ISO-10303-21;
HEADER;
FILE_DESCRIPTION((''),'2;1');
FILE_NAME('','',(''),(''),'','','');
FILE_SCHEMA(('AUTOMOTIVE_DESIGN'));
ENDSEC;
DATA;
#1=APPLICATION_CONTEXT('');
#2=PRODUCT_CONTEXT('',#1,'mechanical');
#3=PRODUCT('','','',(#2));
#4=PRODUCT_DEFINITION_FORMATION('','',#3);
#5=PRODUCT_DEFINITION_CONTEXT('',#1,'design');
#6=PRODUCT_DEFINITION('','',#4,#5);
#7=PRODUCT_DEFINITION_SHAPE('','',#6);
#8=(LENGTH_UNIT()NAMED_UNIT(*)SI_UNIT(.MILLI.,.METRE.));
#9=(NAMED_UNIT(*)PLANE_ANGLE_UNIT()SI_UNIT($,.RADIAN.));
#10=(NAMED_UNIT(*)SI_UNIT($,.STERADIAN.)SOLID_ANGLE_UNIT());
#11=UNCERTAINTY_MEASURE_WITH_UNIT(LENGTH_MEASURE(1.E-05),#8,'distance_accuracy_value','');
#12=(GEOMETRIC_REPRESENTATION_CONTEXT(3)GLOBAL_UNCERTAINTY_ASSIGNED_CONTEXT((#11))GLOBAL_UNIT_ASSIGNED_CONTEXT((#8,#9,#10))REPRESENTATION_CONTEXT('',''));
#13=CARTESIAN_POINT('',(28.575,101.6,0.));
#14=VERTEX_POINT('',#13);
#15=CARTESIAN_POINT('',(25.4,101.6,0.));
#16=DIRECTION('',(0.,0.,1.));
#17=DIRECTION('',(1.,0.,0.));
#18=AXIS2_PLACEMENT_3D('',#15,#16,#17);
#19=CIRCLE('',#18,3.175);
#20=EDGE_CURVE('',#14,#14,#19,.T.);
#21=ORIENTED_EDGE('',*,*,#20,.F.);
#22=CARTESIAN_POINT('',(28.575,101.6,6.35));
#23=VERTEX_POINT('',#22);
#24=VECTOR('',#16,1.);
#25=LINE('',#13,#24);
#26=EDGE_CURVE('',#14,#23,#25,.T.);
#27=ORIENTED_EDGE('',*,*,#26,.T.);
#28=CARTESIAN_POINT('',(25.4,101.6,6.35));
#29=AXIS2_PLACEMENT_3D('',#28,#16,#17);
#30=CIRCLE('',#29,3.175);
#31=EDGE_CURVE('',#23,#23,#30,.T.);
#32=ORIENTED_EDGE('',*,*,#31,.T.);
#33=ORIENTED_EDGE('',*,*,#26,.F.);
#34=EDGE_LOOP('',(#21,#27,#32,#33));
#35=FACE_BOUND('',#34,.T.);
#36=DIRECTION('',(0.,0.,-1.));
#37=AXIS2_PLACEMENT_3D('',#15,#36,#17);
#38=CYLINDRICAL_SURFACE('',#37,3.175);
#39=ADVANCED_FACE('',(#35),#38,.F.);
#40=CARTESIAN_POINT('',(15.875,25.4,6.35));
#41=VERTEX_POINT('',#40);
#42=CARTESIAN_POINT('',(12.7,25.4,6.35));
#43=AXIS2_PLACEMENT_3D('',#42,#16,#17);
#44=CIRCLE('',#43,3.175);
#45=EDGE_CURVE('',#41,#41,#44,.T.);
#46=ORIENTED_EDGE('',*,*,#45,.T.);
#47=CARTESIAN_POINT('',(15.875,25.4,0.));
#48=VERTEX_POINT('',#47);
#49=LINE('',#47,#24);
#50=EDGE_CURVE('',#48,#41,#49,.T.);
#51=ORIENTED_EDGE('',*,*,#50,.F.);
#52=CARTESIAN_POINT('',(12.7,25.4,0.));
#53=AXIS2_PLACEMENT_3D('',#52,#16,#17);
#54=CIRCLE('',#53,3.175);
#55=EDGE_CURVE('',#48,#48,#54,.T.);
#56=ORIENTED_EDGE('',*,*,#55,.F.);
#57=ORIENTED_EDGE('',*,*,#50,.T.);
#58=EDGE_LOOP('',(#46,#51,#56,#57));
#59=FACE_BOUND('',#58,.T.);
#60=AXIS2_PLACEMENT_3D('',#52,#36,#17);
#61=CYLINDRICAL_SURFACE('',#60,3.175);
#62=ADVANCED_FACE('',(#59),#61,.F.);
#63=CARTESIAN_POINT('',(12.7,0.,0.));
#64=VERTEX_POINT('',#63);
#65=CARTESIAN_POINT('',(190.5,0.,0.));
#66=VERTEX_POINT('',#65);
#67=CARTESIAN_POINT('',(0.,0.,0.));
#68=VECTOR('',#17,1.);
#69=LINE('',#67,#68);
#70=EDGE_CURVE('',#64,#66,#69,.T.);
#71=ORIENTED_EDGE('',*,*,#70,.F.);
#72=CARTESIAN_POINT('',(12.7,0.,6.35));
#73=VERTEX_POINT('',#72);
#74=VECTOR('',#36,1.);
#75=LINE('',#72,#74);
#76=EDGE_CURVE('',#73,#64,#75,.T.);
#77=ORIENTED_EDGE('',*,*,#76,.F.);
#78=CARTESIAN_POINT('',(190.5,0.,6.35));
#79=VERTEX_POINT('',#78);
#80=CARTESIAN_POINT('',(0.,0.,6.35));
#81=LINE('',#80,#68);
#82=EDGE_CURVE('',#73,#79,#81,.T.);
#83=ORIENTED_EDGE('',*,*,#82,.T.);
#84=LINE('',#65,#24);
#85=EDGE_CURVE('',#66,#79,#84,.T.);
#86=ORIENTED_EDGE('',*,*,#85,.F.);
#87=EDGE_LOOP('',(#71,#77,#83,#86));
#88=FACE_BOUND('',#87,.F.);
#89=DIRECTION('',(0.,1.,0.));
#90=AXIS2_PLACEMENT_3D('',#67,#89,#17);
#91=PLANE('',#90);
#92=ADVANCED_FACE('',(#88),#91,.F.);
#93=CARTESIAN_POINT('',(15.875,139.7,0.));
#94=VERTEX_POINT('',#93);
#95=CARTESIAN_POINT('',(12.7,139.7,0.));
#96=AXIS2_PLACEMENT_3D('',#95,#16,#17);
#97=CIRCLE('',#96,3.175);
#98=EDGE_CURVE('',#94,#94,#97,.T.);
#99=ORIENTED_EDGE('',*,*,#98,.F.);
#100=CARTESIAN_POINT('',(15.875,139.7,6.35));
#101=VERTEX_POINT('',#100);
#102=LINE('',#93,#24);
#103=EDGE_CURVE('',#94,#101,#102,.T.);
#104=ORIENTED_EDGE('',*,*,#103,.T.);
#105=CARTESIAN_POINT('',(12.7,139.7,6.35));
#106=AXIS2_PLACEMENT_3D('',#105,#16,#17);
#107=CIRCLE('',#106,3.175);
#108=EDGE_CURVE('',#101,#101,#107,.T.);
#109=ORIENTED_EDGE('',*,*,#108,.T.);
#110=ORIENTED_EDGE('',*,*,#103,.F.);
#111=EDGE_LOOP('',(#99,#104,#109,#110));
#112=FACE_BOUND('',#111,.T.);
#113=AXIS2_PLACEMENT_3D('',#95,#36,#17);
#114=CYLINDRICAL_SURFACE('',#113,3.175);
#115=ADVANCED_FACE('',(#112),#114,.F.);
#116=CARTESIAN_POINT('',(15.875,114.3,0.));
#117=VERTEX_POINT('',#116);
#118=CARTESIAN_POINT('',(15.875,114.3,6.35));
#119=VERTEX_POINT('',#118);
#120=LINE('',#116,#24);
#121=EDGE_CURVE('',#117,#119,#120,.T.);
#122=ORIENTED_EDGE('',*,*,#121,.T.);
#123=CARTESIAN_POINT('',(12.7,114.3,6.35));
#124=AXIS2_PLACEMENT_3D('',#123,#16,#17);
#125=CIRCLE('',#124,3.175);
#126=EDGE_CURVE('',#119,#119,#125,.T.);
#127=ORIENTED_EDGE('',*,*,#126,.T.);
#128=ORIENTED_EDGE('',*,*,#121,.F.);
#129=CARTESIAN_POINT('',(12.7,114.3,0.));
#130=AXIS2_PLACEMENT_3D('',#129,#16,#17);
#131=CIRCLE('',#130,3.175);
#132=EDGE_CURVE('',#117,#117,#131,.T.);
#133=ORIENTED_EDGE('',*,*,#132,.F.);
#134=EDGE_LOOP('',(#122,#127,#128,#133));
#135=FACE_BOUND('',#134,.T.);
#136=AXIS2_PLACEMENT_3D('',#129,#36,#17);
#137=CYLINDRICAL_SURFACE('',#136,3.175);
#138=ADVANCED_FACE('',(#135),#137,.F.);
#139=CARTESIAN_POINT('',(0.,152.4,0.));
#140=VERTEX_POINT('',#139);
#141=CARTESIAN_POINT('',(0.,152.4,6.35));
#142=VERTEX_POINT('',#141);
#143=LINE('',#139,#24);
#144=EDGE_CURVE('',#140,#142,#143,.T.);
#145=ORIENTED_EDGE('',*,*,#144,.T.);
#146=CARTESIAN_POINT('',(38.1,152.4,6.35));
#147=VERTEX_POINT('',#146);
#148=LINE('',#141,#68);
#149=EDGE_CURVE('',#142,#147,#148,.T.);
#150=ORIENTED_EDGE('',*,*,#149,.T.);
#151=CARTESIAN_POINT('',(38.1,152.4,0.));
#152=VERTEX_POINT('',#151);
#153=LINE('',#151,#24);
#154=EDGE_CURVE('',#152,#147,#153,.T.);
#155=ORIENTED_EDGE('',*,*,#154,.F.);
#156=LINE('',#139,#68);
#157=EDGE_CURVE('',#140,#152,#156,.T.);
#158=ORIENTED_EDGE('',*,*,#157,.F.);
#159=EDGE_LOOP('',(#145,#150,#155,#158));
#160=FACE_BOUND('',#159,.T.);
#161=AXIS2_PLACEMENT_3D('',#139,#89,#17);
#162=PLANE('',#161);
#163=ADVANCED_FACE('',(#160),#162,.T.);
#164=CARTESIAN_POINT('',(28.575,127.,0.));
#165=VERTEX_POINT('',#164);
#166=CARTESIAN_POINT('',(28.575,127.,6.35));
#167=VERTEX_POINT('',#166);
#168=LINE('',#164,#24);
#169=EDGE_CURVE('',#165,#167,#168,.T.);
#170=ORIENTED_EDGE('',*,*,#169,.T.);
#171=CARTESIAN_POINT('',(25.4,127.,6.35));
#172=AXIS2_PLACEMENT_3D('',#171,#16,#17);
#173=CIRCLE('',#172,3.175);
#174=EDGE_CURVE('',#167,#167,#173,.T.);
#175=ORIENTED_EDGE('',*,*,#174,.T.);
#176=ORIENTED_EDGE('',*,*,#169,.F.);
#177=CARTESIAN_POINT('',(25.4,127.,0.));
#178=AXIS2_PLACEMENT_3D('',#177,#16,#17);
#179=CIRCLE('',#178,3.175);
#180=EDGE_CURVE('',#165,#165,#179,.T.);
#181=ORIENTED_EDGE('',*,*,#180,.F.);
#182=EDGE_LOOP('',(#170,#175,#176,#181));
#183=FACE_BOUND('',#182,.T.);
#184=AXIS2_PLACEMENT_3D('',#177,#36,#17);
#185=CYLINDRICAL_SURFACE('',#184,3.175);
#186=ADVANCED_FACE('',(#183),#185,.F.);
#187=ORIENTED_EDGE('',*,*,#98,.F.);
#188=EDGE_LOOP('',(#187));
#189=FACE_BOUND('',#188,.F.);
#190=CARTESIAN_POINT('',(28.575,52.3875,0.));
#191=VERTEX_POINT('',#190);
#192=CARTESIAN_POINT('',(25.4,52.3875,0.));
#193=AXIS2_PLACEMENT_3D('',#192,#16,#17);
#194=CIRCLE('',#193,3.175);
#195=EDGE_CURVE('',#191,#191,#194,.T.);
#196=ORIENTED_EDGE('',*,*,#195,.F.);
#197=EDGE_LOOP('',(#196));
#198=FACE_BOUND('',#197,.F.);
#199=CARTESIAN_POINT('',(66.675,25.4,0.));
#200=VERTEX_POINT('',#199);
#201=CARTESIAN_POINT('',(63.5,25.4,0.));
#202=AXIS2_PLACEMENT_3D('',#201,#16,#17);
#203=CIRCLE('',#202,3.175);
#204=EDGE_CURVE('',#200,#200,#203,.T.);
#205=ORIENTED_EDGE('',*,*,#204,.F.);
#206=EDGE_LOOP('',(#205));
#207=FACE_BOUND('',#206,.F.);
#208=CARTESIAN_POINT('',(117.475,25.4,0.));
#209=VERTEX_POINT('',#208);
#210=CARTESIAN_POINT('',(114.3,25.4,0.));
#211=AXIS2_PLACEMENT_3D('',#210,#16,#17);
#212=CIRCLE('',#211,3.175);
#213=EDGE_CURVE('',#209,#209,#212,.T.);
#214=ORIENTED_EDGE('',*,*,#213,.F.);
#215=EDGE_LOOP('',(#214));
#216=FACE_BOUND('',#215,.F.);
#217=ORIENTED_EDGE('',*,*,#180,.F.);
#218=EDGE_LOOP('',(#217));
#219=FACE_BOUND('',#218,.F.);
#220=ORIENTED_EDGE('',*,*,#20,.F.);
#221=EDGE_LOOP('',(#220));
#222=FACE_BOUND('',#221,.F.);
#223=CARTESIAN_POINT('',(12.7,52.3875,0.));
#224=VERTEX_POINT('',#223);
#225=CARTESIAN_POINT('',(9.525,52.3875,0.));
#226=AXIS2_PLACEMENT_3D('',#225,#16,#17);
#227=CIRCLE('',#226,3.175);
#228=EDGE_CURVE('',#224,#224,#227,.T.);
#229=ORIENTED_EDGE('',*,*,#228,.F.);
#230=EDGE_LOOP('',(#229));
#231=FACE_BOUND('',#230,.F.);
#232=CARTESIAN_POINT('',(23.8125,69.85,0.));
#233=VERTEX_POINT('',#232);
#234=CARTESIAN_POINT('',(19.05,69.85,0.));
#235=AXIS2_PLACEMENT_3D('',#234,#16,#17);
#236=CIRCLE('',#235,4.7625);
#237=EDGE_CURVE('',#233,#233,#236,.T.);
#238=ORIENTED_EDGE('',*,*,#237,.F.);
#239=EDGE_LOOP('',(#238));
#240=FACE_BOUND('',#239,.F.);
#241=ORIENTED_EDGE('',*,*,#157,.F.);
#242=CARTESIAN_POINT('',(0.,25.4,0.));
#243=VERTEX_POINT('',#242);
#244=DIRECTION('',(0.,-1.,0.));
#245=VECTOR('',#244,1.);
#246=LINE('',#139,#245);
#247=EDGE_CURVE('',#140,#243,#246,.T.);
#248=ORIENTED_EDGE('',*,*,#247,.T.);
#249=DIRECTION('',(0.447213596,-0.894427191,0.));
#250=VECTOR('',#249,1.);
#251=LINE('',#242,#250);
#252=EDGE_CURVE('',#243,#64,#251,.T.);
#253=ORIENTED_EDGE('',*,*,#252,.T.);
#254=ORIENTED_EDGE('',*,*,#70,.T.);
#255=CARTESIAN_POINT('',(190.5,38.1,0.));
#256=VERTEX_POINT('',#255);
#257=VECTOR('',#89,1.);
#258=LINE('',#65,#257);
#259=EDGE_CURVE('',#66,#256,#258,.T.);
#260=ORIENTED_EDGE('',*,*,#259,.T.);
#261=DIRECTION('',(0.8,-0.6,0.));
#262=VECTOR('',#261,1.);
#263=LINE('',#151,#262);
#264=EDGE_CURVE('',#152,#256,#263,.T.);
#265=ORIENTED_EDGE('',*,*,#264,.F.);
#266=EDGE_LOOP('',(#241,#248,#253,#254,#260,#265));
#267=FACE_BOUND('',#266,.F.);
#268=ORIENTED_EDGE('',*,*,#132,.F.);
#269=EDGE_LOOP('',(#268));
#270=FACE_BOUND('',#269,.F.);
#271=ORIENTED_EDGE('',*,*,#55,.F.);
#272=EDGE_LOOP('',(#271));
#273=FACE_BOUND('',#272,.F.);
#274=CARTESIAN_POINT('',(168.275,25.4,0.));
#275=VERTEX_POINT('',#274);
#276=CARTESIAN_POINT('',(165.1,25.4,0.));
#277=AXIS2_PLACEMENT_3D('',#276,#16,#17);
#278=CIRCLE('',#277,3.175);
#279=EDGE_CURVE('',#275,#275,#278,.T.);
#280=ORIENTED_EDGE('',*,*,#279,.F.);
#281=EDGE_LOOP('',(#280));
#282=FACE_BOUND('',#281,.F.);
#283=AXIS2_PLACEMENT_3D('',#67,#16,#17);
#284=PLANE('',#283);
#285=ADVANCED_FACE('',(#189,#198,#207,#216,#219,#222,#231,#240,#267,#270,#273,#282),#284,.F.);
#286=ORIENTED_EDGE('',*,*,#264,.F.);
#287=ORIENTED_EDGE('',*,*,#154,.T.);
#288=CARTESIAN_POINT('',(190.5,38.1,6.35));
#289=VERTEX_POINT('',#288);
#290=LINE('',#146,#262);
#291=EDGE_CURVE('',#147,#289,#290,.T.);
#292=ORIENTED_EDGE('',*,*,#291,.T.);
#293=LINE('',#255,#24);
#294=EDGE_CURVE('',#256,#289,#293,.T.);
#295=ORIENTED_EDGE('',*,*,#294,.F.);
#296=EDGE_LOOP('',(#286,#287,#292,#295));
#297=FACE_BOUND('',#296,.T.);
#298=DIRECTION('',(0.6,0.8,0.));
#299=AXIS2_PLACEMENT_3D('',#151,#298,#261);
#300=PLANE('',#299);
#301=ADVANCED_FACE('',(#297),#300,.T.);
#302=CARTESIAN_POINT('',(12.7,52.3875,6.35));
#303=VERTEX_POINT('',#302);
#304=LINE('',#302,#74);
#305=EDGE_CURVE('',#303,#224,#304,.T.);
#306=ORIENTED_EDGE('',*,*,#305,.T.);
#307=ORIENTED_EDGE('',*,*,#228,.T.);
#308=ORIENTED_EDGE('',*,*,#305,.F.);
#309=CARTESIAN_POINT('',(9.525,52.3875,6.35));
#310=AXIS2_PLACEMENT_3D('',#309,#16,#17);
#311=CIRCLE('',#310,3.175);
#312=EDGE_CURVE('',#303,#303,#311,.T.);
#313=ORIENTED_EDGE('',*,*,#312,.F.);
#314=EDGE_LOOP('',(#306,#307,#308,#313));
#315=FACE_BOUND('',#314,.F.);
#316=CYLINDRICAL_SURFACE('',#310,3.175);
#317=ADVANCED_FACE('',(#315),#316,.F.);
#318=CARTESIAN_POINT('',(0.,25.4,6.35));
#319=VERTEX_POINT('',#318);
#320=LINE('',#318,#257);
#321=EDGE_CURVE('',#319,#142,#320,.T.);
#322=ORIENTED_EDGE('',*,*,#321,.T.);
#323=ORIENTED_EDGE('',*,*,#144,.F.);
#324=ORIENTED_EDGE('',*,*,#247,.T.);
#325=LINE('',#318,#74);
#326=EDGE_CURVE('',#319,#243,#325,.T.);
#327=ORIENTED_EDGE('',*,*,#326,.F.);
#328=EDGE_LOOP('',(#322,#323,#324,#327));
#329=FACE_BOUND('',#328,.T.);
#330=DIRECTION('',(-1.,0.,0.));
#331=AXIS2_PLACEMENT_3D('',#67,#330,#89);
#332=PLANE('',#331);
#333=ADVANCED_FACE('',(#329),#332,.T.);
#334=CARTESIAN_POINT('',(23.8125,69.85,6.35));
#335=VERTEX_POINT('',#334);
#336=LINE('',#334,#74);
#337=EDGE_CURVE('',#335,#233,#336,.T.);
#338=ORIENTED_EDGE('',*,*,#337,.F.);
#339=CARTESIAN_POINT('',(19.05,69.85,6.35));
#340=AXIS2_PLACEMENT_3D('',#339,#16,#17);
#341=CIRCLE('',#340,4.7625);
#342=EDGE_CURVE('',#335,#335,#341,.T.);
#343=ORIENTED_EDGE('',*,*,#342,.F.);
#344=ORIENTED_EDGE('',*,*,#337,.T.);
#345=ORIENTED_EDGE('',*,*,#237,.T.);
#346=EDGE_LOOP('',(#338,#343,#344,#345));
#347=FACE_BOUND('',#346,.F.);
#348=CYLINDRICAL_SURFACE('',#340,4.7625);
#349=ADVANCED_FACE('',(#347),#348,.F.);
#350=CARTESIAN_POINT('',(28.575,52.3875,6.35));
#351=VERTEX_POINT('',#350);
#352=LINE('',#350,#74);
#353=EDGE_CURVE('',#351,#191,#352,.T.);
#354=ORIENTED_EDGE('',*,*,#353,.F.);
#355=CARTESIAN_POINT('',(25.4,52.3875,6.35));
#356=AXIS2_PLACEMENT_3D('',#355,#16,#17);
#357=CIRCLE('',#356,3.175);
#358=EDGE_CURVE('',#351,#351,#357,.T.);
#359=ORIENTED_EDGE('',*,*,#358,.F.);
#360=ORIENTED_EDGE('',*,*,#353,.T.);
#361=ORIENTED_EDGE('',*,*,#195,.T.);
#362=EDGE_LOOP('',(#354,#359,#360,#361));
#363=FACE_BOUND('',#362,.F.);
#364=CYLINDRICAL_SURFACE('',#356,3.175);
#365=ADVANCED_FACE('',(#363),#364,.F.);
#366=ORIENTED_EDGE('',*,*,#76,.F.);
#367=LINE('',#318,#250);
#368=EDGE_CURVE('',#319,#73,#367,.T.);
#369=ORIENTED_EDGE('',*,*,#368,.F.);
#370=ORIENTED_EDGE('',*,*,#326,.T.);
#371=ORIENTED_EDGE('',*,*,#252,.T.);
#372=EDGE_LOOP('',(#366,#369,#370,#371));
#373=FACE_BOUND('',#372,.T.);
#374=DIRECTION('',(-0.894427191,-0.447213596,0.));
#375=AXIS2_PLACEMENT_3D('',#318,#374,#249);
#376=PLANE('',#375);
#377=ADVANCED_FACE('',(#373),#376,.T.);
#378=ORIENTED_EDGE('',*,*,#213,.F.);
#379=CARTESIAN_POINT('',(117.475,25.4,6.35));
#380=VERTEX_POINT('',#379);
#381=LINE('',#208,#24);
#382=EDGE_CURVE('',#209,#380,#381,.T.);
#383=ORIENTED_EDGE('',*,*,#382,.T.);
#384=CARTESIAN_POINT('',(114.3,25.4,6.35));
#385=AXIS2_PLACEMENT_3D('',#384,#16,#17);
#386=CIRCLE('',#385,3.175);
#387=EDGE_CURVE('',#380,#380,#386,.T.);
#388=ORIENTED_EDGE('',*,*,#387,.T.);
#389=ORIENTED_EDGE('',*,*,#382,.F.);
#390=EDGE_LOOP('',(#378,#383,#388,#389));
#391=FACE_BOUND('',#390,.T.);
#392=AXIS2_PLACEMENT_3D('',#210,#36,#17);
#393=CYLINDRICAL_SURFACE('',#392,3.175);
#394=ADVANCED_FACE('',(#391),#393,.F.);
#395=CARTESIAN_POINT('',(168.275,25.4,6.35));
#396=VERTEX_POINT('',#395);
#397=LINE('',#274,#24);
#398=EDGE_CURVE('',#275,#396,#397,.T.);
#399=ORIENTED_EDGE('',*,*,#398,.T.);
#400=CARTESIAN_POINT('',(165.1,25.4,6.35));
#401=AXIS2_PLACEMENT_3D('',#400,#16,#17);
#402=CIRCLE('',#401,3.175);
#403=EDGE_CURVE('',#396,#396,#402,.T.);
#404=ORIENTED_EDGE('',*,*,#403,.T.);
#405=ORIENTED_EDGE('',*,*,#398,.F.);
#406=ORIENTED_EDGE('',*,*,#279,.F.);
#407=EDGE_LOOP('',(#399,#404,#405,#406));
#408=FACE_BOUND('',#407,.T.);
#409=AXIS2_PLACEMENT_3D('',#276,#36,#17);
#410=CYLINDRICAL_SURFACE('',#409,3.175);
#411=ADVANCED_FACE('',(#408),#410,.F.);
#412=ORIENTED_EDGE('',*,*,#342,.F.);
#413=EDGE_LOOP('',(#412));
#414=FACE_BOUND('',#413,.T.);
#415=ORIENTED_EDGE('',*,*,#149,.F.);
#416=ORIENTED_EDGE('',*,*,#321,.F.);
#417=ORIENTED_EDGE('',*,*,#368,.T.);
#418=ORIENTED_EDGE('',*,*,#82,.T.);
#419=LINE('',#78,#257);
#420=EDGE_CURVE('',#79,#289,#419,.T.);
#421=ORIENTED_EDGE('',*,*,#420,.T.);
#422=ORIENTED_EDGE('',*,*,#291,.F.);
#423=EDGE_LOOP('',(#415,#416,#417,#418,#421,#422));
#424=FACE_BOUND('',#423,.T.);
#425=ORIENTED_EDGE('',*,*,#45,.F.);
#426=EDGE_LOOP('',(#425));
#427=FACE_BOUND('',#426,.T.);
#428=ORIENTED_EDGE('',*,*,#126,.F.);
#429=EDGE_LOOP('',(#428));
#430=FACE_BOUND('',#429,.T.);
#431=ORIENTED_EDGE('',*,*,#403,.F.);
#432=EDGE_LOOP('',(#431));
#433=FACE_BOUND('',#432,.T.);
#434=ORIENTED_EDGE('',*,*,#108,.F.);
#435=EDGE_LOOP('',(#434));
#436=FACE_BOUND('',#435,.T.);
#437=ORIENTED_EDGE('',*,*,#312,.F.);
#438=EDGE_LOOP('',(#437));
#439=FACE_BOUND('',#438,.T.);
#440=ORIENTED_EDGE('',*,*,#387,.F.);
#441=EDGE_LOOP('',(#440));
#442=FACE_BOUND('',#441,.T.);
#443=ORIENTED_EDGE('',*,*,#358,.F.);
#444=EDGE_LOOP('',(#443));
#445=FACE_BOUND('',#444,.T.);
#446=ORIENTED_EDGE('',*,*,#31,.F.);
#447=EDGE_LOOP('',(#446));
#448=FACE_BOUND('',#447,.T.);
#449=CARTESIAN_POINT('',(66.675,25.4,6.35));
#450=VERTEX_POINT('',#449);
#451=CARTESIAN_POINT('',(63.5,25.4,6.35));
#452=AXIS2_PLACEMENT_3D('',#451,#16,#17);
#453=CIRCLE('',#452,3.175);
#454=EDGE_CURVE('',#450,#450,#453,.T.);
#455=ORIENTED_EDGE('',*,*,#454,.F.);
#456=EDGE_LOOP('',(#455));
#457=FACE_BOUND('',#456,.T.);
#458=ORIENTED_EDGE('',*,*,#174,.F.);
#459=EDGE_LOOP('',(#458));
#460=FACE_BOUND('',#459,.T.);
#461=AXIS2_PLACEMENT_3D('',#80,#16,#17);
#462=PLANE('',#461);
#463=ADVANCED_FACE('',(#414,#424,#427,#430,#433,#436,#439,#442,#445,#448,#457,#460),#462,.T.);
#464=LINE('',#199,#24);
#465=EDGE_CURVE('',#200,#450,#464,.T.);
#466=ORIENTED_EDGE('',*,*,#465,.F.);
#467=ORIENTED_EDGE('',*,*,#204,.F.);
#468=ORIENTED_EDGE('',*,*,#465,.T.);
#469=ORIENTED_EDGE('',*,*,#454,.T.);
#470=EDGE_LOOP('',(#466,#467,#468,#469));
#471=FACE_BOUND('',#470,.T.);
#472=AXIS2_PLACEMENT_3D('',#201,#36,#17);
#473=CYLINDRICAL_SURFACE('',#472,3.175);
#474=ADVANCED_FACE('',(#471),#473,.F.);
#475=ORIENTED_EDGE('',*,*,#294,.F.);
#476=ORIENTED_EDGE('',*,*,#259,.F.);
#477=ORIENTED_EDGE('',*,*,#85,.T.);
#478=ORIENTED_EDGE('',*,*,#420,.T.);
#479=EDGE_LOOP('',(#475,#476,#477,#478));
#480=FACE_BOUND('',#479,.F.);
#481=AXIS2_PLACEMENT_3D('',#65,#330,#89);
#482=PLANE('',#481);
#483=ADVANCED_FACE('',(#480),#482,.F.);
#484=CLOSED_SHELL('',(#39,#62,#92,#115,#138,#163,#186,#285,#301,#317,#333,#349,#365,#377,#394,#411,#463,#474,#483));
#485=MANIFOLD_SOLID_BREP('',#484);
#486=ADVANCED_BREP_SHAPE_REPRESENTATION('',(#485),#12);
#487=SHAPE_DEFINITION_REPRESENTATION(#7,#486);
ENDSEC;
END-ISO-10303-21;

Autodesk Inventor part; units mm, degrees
ref_plane "YZ Plane" through (0, 0, 0) normal (1, 0, 0) x (0, 1, 0)
ref_plane "XZ Plane" through (0, 0, 0) normal (0, 1, 0) x (-1, 0, 0)
ref_plane "XY Plane" through (0, 0, 0) normal (0, 0, 1) x (1, 0, 0)
sketch "Sketch1" plane through (0, 0, 0) normal (0, 0, 1) x (1, 0, 0)
  line L0 (0, 0) -> (190.5, 0) construction
  line L1 (190.5, 0) -> (190.5, 152.4) construction
  line L2 (190.5, 152.4) -> (0, 152.4) construction
  line L3 (0, 152.4) -> (0, 0) construction
  line L4 (0, 0) -> (190.5, 0)
  line L5 (0, 0) -> (0, 38.1)
  line L6 (0, 0) -> (38.1, 0) construction
  line L7 (190.5, 0) -> (190.5, 38.1)
  line L8 (190.5, 0) -> (228.6, 0) construction
  line L9 (190.5, 152.4) -> (38.1, 152.4) construction
  line L10 (190.5, 152.4) -> (342.9, 152.4) construction
  line L11 (38.1, 152.4) -> (0, 152.4) construction
  line L12 (0, 38.1) -> (0, 152.4)
  line L13 (0, 152.4) -> (38.1, 152.4)
  line L14 (38.1, 152.4) -> (190.5, 38.1)
  circle A0 centre (12.7, 25.4) radius 3.175
  circle A1 centre (63.5, 25.4) radius 3.175
  circle A2 centre (12.7, 139.7) radius 3.175
  circle A3 centre (25.4, 127) radius 3.175
  circle A4 centre (12.7, 114.3) radius 3.175
  circle A5 centre (25.4, 101.6) radius 3.175
  circle A6 centre (114.3, 25.4) radius 3.175
  circle A7 centre (165.1, 25.4) radius 3.175
  dimension "d0" = 190.5
  dimension "d1" = 152.4
  dimension "d2" = 12.7
  dimension "d3" = 50.8
  dimension "d8" = 25.4
  dimension "d9" = 25.4
  dimension "d10" = 38.1
  dimension "d11" = 90
  dimension "d12" = 38.1
  dimension "d13" = 90
  dimension "d14" = 152.4
  dimension "d15" = 180
  dimension "d16" = 38.1
  dimension "d17" = 12.7
  dimension "d18" = 12.7
  dimension "d19" = 12.7
  dimension "d20" = 12.7
  dimension "d21" = 12.7
  dimension "d22" = 25.4
  dimension "d23" = 38.1
  dimension "d24" = 50.8
  dimension "d25" = 6.35
  dimension "d26" = 6.35
  dimension "d29" = 6.35
  dimension "d30" = 6.35
  dimension "d31" = 6.35
  dimension "d32" = 6.35
  dimension "d35" = 50.8
  dimension "d36" = 50.8
  dimension "d38" = 6.35
  dimension "d39" = 6.35
  dimension "d46" = 25.4
  dimension "d47" = 25.4
extrude "Extrusion4" add sketch "Sketch1" along normal blind 6.35
sketch "Sketch3" plane through (0, 0, 6.35) normal (0, 0, 1) x (1, 0, 0)
  line L0 (0, 0) -> (0, 25.4)
  line L1 (0, 152.4) -> (0, 0) projected
  line L2 (0, 0) -> (12.7, 0)
  line L3 (0, 0) -> (190.5, 0) projected
  line L4 (0, 25.4) -> (12.7, 0)
  point P0 (0, 38.1)
  dimension "d50" = 25.4
  dimension "d51" = 12.7
extrude "Extrusion5" cut sketch "Sketch3" against normal blind 6.35
sketch "Sketch4" plane through (0, 0, 6.35) normal (0, 0, 1) x (1, 0, 0)
  line L0 (0, 152.4) -> (0, 25.4) projected
  line L1 (12.7, 0) -> (190.5, 0) projected
  circle A0 centre (9.525, 52.3875) radius 3.175
  circle A1 centre (25.4, 52.3875) radius 3.175
  circle A2 centre (19.05, 69.85) radius 4.7625
  point P0 (0, 0)
  point P1 (0, 38.1)
  dimension "d54" = 9.525
  dimension "d55" = 25.4
  dimension "d56" = 52.3875
  dimension "d57" = 52.3875
  dimension "d58" = 69.85
  dimension "d59" = 19.05
  dimension "d60" = 6.35
  dimension "d61" = 6.35
  dimension "d62" = 9.525
extrude "Extrusion6" cut sketch "Sketch4" against normal blind 6.35
properties part number "rail mounting bracket"
